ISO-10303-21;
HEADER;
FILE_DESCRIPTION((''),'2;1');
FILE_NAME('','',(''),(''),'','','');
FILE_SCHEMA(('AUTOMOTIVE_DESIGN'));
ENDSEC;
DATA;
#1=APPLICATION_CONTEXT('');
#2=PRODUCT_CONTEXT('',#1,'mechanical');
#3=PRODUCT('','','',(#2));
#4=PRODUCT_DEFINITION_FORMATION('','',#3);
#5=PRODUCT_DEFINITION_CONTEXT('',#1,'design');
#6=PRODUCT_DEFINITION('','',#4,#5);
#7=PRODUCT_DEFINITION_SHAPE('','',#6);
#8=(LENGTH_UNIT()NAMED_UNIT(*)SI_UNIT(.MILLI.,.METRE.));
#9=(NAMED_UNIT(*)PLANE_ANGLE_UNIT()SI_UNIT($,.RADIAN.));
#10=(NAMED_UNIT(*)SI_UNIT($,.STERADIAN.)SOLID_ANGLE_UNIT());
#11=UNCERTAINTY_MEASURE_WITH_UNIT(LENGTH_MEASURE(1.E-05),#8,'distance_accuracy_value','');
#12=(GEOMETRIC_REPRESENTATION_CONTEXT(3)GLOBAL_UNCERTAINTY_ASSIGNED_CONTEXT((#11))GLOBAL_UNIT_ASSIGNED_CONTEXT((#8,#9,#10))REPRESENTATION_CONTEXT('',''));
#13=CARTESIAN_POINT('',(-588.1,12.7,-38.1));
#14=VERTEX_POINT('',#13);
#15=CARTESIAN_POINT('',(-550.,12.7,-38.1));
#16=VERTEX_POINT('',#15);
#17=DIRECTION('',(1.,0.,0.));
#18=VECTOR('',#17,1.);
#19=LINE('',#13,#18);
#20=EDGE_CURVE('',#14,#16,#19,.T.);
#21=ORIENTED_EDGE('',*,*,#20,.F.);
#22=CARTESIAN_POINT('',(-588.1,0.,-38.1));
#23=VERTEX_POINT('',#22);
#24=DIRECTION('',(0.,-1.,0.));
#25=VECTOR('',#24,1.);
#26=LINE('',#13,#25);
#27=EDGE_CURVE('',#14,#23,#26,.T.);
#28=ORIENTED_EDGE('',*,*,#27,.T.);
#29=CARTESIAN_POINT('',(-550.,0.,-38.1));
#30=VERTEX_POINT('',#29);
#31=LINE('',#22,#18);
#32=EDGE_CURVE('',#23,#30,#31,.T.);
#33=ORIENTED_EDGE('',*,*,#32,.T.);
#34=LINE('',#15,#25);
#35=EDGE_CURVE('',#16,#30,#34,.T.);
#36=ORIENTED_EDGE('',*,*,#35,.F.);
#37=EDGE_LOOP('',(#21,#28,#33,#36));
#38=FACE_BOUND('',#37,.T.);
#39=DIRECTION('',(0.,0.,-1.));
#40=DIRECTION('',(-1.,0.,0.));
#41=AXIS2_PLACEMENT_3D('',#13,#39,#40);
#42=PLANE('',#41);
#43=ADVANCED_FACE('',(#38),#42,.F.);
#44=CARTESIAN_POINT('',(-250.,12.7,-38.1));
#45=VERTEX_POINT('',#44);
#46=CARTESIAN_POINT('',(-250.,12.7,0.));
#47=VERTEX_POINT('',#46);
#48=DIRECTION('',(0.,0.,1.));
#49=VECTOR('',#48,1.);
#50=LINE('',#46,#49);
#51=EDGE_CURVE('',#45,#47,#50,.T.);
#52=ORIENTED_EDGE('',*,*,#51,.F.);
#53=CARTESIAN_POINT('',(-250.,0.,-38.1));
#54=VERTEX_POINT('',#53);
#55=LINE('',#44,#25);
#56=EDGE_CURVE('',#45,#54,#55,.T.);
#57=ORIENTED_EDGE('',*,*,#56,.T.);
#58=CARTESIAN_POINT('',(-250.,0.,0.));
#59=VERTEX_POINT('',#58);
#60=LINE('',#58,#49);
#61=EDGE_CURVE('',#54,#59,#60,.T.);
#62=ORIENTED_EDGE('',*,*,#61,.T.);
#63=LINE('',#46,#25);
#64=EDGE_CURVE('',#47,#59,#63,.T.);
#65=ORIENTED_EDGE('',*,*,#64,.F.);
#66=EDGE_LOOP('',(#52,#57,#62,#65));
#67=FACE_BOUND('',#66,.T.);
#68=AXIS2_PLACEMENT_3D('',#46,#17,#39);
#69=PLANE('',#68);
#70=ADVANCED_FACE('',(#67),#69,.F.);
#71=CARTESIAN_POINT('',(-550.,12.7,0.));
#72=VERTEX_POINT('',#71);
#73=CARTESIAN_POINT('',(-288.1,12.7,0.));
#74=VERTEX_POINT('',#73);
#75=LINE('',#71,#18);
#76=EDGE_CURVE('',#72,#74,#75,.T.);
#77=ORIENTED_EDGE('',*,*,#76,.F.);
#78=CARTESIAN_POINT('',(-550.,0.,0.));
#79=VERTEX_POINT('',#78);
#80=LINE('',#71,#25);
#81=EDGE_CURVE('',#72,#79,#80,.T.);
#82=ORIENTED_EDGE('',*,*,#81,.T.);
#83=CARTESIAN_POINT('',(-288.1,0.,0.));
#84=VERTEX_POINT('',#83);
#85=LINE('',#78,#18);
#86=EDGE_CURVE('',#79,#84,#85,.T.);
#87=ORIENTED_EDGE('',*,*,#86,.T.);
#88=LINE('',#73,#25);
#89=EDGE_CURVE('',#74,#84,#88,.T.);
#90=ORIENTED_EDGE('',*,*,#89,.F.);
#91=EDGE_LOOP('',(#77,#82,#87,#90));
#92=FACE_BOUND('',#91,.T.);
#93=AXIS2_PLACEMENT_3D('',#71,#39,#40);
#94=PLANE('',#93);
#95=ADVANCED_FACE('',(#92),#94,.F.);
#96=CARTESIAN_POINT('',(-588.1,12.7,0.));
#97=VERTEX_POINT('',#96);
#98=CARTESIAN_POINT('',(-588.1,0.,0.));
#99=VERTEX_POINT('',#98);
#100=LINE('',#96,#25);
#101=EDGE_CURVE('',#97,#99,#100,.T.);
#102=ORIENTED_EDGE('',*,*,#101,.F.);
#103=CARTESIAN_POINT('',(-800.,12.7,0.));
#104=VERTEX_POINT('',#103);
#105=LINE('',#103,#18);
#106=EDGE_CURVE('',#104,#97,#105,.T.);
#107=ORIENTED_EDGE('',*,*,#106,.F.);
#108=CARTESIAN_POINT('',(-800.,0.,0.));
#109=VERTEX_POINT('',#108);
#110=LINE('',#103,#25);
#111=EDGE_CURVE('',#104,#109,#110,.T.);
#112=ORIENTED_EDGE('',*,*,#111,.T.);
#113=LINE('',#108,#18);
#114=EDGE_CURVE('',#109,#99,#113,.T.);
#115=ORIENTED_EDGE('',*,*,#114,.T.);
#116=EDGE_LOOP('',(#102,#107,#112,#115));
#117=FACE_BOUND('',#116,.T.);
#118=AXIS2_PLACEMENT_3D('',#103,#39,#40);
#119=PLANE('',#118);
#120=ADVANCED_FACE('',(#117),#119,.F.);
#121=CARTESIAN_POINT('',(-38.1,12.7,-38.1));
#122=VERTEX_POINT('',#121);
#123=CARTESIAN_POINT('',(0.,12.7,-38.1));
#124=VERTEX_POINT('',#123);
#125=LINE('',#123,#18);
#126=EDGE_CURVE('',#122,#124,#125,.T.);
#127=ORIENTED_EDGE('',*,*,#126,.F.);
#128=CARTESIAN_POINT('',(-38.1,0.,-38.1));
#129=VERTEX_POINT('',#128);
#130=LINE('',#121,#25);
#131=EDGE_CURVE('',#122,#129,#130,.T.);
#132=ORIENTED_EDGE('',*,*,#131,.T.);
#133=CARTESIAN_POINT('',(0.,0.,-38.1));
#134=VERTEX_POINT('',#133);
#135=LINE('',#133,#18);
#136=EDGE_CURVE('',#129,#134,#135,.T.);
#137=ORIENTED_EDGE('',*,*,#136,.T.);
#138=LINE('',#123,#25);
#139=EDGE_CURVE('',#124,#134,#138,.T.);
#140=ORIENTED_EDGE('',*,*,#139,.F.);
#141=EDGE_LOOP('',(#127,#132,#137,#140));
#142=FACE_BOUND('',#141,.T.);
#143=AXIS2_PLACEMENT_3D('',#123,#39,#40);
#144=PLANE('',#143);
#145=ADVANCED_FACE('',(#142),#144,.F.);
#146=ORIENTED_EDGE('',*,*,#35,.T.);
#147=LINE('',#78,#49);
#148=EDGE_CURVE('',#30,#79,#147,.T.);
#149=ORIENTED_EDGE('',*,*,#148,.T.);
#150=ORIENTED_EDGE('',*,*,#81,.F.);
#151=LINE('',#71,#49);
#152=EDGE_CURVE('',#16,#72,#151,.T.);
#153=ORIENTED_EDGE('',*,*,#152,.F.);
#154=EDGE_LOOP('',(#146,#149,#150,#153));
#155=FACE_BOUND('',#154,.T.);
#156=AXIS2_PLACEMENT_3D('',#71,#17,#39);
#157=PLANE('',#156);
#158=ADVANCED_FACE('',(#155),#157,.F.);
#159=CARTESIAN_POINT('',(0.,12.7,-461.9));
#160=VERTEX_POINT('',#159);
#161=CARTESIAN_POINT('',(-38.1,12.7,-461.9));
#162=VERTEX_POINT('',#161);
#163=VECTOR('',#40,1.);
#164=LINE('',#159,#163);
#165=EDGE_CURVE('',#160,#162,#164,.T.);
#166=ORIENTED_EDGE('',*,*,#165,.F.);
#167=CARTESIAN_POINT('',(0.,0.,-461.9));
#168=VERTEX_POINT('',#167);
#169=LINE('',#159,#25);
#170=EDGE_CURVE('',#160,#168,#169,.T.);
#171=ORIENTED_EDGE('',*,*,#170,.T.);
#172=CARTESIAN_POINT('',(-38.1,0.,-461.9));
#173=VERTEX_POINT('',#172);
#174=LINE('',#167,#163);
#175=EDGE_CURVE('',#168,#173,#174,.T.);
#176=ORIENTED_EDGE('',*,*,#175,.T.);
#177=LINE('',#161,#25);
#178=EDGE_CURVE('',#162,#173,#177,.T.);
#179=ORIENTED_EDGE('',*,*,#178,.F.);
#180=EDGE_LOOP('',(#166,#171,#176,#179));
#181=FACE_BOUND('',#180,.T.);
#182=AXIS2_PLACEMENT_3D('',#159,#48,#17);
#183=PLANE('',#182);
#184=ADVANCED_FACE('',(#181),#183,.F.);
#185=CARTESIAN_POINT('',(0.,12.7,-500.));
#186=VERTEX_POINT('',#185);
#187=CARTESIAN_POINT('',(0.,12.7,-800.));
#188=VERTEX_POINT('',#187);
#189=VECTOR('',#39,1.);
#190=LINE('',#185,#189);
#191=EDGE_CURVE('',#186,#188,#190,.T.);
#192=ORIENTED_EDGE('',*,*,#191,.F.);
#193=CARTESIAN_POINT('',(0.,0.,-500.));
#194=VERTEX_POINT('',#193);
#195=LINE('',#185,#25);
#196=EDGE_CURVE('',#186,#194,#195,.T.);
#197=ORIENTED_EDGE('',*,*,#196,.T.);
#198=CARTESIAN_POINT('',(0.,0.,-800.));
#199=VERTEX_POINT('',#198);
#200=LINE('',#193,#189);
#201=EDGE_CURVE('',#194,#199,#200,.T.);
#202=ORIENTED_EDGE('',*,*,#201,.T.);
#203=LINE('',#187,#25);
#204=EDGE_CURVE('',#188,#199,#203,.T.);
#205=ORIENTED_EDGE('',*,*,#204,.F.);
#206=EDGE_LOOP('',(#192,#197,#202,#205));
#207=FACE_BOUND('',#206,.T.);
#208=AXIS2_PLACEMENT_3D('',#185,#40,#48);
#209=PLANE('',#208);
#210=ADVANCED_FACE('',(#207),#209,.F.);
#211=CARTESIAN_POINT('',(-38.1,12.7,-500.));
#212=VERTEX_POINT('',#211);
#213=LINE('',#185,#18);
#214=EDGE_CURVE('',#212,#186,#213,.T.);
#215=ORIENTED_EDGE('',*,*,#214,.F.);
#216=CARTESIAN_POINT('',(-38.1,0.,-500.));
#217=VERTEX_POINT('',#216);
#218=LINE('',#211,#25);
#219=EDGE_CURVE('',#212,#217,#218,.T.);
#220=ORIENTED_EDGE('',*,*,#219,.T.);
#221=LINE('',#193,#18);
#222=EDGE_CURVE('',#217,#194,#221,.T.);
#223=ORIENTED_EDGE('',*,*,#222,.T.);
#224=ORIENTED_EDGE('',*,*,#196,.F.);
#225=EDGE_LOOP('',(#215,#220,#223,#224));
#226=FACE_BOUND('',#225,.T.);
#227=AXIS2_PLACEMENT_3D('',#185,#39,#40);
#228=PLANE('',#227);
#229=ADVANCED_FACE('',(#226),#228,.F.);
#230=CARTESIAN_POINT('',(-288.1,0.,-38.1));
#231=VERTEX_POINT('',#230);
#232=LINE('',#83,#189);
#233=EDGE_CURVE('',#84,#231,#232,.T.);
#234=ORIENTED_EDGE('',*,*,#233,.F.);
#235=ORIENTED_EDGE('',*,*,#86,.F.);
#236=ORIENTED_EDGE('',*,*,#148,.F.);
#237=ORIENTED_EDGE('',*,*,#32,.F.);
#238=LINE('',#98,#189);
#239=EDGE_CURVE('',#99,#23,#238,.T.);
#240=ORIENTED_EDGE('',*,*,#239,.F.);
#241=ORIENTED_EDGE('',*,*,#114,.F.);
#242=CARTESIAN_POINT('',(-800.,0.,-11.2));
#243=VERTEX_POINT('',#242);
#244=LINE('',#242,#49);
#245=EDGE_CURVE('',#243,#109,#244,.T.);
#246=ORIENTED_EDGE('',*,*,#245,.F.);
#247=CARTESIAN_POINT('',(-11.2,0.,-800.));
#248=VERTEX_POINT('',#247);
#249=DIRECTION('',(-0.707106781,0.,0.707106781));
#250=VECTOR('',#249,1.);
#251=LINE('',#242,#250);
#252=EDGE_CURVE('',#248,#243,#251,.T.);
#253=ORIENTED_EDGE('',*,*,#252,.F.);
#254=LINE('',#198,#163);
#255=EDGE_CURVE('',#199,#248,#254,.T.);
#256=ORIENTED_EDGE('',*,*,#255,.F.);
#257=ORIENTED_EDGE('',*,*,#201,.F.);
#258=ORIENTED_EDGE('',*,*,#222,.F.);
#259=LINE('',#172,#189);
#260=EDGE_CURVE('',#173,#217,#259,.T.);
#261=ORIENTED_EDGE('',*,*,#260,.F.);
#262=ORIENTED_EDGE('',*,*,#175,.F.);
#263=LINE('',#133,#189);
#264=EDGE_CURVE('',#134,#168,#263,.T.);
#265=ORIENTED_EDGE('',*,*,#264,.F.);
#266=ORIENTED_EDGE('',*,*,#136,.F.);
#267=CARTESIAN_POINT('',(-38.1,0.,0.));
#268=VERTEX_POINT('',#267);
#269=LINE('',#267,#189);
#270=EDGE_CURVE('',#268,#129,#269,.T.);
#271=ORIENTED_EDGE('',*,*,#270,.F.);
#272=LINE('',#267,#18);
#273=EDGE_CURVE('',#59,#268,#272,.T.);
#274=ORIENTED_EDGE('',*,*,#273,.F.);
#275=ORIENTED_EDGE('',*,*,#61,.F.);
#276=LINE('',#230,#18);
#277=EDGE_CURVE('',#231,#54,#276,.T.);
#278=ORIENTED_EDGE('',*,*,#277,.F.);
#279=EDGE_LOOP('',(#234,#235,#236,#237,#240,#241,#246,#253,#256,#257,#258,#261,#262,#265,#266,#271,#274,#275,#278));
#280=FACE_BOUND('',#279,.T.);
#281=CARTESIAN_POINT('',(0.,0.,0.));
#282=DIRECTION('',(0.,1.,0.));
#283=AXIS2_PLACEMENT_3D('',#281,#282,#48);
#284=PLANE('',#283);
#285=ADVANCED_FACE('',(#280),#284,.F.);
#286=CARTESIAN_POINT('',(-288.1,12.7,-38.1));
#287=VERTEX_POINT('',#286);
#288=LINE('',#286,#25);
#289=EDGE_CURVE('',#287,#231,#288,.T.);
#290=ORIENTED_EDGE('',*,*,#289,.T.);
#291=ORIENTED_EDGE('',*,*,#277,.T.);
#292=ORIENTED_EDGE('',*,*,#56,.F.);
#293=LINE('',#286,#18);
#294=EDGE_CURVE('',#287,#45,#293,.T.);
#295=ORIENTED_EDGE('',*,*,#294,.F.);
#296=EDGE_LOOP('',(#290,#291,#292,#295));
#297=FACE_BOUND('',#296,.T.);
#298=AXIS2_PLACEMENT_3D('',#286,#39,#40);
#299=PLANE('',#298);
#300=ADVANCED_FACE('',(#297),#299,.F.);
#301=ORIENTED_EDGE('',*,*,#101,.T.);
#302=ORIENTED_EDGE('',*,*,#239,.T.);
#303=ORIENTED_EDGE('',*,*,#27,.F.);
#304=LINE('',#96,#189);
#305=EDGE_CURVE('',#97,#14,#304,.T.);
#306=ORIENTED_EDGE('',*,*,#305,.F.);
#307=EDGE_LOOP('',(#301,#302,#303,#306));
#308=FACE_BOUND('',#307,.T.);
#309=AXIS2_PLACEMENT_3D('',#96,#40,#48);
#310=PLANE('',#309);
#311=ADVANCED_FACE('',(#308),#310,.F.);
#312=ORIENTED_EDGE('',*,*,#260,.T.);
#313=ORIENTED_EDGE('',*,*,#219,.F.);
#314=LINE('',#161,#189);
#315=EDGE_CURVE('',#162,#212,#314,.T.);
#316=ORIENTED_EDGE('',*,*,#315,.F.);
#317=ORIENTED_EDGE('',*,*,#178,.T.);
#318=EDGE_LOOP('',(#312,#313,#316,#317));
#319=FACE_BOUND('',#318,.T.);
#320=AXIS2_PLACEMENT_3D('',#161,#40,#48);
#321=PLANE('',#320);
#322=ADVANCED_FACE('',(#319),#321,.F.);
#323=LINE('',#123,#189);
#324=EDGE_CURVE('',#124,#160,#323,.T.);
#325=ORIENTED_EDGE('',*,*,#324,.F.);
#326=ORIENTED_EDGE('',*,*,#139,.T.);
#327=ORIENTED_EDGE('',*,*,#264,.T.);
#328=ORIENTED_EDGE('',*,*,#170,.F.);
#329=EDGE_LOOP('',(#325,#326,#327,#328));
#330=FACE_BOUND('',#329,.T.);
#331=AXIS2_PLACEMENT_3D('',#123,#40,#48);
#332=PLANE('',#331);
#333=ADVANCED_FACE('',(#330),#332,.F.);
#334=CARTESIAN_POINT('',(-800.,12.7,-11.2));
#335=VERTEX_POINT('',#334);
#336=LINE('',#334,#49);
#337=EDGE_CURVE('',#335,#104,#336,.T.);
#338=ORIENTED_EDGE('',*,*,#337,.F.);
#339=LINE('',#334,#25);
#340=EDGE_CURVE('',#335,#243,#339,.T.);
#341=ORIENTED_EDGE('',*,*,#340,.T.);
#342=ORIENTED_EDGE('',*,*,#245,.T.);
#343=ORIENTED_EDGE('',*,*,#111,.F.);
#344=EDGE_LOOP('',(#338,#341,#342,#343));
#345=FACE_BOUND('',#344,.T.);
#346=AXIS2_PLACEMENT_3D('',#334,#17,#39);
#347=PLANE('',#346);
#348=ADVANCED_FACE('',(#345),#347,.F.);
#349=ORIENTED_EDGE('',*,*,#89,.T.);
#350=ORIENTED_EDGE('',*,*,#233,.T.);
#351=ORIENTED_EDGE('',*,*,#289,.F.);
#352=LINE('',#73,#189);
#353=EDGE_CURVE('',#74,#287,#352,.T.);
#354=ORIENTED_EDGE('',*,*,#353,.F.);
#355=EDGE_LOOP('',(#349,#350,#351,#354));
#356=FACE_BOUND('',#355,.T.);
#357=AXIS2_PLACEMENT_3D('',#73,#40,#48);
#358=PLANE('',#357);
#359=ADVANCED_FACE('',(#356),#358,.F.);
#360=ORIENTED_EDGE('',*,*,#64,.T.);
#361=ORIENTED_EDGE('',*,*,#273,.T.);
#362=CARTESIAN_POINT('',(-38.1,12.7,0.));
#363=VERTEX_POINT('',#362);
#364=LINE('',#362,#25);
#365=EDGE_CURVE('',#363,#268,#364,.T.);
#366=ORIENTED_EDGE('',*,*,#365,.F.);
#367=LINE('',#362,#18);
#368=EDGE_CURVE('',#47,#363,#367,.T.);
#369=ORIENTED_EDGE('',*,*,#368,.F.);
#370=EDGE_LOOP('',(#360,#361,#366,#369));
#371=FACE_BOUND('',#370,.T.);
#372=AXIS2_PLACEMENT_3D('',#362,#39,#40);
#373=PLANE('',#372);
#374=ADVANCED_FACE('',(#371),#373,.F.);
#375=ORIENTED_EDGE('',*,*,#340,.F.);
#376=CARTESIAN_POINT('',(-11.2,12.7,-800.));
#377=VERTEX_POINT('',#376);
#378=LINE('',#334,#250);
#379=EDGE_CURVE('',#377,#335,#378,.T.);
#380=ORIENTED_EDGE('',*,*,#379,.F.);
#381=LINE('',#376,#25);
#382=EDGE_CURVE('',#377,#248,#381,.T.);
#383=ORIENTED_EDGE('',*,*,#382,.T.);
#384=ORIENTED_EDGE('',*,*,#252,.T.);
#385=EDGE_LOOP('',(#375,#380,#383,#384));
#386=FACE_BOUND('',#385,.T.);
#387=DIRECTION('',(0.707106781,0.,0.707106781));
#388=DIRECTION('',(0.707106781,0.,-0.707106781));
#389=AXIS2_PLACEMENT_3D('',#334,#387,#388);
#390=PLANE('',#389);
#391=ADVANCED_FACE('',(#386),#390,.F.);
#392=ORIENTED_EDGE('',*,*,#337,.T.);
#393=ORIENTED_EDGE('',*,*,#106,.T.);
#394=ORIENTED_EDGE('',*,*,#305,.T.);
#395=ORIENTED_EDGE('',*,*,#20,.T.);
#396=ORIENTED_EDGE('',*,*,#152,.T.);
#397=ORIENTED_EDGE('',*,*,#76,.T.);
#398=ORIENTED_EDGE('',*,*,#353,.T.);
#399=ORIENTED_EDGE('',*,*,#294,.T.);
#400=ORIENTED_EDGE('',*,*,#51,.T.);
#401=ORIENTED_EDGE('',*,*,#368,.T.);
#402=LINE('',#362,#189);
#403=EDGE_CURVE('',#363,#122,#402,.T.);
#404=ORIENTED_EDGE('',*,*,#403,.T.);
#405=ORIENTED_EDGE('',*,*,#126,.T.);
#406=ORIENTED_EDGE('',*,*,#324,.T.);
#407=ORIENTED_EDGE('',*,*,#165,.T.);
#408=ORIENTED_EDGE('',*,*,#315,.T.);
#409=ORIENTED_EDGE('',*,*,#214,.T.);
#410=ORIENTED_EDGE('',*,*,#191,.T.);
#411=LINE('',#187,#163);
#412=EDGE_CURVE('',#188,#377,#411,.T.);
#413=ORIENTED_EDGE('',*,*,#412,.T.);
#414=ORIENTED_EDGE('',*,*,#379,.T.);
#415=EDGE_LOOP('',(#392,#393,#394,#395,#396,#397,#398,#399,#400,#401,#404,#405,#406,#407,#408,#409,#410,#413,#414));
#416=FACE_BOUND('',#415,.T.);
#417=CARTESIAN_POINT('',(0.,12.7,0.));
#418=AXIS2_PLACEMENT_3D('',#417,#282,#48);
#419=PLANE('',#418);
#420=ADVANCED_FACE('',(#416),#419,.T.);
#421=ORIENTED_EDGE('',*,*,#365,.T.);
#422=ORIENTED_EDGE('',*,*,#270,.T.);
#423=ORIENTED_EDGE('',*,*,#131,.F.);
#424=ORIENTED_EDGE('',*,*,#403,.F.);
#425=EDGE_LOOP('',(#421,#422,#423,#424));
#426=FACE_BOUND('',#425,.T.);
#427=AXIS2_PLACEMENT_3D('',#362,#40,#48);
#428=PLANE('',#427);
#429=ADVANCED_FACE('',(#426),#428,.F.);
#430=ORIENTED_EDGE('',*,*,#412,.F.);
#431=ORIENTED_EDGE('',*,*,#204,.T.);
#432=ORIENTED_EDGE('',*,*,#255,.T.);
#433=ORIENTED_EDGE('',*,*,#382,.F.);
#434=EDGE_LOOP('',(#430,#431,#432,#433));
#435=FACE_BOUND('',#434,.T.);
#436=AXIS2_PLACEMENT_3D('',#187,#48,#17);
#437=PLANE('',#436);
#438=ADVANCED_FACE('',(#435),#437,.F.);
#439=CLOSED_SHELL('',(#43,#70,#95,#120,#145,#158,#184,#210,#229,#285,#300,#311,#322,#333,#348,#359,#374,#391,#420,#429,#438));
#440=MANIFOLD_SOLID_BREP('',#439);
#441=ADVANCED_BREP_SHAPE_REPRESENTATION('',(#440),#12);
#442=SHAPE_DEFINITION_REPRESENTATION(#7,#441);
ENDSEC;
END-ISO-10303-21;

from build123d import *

# Parameters (mm, degrees)
BOSS_EXTRUDE1_DEPTH = 12.7


with BuildPart() as part:
    # Sketch1 → Boss-Extrude1 (new body)
    with BuildSketch(Plane(origin=(0, 0, 0), x_dir=(1, 0, 0), z_dir=(0, 1, 0))):
        Polygon((-38.1, 0), (-250, 0), (-250, 38.1), (-288.1, 38.1), (-288.1, 0), (-550, 0), (-550, 38.1), (-588.1, 38.1), (-588.1, 0), (-800, 0), (-800, 11.2), (-11.2, 800), (0, 800), (0, 500), (-38.1, 500), (-38.1, 461.9), (0, 461.9), (0, 38.1), (-38.1, 38.1), align=None)
    extrude(amount=BOSS_EXTRUDE1_DEPTH)


solid = part.part
